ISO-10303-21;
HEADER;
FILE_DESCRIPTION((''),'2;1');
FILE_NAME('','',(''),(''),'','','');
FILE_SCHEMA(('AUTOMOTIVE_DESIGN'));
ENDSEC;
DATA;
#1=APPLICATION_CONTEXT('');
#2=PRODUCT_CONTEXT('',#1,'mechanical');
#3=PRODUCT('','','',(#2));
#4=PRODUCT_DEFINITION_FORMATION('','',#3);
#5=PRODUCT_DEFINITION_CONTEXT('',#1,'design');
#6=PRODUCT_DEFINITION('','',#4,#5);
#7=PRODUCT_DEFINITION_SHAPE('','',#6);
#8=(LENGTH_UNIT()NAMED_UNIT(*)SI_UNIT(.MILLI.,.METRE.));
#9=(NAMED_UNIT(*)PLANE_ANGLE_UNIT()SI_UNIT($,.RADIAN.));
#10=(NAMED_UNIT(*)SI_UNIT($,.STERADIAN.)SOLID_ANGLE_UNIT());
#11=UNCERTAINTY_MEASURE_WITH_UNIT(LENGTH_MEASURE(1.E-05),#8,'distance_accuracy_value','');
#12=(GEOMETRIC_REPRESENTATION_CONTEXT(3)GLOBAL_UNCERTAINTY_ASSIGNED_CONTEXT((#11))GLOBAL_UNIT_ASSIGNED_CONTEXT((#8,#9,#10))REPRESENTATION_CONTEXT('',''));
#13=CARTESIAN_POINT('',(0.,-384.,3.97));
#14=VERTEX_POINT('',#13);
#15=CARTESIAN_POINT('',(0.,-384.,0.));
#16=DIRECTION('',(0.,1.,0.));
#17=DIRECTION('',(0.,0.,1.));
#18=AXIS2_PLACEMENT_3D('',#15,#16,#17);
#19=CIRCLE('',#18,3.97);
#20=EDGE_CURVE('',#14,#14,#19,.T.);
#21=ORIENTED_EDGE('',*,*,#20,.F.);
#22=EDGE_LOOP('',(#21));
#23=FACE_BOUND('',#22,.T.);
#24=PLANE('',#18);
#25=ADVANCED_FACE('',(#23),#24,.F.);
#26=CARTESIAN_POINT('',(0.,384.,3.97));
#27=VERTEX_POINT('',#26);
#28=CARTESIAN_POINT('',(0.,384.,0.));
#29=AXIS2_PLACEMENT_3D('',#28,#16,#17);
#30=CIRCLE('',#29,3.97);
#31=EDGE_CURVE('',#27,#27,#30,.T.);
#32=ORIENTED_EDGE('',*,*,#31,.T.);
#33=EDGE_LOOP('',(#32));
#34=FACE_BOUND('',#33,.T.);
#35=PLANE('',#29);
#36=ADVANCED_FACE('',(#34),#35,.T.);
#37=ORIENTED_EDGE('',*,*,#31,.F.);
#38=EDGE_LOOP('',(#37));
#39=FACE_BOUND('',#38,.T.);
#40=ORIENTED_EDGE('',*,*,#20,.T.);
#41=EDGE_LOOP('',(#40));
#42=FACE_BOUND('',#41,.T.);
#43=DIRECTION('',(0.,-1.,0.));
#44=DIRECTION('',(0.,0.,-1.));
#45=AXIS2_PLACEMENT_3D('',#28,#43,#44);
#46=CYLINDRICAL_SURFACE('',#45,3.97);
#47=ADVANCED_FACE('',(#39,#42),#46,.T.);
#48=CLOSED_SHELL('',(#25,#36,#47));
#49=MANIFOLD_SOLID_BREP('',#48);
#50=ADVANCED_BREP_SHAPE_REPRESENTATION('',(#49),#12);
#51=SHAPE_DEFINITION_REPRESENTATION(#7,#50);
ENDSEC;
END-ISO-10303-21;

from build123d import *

# Parameters (mm, degrees)
ESBO_O1_R                = 3.97
RESSALTO_EXTRUS_O1_DEPTH = 384


with BuildPart() as part:
    # Esboço1 → Ressalto-extrusão1 (new body, symmetric)
    with BuildSketch(Plane(origin=(0, 0, 0), x_dir=(1, 0, 0), z_dir=(0, 1, 0))):
        Circle(ESBO_O1_R)
    extrude(amount=RESSALTO_EXTRUS_O1_DEPTH, both=True)


solid = part.part
